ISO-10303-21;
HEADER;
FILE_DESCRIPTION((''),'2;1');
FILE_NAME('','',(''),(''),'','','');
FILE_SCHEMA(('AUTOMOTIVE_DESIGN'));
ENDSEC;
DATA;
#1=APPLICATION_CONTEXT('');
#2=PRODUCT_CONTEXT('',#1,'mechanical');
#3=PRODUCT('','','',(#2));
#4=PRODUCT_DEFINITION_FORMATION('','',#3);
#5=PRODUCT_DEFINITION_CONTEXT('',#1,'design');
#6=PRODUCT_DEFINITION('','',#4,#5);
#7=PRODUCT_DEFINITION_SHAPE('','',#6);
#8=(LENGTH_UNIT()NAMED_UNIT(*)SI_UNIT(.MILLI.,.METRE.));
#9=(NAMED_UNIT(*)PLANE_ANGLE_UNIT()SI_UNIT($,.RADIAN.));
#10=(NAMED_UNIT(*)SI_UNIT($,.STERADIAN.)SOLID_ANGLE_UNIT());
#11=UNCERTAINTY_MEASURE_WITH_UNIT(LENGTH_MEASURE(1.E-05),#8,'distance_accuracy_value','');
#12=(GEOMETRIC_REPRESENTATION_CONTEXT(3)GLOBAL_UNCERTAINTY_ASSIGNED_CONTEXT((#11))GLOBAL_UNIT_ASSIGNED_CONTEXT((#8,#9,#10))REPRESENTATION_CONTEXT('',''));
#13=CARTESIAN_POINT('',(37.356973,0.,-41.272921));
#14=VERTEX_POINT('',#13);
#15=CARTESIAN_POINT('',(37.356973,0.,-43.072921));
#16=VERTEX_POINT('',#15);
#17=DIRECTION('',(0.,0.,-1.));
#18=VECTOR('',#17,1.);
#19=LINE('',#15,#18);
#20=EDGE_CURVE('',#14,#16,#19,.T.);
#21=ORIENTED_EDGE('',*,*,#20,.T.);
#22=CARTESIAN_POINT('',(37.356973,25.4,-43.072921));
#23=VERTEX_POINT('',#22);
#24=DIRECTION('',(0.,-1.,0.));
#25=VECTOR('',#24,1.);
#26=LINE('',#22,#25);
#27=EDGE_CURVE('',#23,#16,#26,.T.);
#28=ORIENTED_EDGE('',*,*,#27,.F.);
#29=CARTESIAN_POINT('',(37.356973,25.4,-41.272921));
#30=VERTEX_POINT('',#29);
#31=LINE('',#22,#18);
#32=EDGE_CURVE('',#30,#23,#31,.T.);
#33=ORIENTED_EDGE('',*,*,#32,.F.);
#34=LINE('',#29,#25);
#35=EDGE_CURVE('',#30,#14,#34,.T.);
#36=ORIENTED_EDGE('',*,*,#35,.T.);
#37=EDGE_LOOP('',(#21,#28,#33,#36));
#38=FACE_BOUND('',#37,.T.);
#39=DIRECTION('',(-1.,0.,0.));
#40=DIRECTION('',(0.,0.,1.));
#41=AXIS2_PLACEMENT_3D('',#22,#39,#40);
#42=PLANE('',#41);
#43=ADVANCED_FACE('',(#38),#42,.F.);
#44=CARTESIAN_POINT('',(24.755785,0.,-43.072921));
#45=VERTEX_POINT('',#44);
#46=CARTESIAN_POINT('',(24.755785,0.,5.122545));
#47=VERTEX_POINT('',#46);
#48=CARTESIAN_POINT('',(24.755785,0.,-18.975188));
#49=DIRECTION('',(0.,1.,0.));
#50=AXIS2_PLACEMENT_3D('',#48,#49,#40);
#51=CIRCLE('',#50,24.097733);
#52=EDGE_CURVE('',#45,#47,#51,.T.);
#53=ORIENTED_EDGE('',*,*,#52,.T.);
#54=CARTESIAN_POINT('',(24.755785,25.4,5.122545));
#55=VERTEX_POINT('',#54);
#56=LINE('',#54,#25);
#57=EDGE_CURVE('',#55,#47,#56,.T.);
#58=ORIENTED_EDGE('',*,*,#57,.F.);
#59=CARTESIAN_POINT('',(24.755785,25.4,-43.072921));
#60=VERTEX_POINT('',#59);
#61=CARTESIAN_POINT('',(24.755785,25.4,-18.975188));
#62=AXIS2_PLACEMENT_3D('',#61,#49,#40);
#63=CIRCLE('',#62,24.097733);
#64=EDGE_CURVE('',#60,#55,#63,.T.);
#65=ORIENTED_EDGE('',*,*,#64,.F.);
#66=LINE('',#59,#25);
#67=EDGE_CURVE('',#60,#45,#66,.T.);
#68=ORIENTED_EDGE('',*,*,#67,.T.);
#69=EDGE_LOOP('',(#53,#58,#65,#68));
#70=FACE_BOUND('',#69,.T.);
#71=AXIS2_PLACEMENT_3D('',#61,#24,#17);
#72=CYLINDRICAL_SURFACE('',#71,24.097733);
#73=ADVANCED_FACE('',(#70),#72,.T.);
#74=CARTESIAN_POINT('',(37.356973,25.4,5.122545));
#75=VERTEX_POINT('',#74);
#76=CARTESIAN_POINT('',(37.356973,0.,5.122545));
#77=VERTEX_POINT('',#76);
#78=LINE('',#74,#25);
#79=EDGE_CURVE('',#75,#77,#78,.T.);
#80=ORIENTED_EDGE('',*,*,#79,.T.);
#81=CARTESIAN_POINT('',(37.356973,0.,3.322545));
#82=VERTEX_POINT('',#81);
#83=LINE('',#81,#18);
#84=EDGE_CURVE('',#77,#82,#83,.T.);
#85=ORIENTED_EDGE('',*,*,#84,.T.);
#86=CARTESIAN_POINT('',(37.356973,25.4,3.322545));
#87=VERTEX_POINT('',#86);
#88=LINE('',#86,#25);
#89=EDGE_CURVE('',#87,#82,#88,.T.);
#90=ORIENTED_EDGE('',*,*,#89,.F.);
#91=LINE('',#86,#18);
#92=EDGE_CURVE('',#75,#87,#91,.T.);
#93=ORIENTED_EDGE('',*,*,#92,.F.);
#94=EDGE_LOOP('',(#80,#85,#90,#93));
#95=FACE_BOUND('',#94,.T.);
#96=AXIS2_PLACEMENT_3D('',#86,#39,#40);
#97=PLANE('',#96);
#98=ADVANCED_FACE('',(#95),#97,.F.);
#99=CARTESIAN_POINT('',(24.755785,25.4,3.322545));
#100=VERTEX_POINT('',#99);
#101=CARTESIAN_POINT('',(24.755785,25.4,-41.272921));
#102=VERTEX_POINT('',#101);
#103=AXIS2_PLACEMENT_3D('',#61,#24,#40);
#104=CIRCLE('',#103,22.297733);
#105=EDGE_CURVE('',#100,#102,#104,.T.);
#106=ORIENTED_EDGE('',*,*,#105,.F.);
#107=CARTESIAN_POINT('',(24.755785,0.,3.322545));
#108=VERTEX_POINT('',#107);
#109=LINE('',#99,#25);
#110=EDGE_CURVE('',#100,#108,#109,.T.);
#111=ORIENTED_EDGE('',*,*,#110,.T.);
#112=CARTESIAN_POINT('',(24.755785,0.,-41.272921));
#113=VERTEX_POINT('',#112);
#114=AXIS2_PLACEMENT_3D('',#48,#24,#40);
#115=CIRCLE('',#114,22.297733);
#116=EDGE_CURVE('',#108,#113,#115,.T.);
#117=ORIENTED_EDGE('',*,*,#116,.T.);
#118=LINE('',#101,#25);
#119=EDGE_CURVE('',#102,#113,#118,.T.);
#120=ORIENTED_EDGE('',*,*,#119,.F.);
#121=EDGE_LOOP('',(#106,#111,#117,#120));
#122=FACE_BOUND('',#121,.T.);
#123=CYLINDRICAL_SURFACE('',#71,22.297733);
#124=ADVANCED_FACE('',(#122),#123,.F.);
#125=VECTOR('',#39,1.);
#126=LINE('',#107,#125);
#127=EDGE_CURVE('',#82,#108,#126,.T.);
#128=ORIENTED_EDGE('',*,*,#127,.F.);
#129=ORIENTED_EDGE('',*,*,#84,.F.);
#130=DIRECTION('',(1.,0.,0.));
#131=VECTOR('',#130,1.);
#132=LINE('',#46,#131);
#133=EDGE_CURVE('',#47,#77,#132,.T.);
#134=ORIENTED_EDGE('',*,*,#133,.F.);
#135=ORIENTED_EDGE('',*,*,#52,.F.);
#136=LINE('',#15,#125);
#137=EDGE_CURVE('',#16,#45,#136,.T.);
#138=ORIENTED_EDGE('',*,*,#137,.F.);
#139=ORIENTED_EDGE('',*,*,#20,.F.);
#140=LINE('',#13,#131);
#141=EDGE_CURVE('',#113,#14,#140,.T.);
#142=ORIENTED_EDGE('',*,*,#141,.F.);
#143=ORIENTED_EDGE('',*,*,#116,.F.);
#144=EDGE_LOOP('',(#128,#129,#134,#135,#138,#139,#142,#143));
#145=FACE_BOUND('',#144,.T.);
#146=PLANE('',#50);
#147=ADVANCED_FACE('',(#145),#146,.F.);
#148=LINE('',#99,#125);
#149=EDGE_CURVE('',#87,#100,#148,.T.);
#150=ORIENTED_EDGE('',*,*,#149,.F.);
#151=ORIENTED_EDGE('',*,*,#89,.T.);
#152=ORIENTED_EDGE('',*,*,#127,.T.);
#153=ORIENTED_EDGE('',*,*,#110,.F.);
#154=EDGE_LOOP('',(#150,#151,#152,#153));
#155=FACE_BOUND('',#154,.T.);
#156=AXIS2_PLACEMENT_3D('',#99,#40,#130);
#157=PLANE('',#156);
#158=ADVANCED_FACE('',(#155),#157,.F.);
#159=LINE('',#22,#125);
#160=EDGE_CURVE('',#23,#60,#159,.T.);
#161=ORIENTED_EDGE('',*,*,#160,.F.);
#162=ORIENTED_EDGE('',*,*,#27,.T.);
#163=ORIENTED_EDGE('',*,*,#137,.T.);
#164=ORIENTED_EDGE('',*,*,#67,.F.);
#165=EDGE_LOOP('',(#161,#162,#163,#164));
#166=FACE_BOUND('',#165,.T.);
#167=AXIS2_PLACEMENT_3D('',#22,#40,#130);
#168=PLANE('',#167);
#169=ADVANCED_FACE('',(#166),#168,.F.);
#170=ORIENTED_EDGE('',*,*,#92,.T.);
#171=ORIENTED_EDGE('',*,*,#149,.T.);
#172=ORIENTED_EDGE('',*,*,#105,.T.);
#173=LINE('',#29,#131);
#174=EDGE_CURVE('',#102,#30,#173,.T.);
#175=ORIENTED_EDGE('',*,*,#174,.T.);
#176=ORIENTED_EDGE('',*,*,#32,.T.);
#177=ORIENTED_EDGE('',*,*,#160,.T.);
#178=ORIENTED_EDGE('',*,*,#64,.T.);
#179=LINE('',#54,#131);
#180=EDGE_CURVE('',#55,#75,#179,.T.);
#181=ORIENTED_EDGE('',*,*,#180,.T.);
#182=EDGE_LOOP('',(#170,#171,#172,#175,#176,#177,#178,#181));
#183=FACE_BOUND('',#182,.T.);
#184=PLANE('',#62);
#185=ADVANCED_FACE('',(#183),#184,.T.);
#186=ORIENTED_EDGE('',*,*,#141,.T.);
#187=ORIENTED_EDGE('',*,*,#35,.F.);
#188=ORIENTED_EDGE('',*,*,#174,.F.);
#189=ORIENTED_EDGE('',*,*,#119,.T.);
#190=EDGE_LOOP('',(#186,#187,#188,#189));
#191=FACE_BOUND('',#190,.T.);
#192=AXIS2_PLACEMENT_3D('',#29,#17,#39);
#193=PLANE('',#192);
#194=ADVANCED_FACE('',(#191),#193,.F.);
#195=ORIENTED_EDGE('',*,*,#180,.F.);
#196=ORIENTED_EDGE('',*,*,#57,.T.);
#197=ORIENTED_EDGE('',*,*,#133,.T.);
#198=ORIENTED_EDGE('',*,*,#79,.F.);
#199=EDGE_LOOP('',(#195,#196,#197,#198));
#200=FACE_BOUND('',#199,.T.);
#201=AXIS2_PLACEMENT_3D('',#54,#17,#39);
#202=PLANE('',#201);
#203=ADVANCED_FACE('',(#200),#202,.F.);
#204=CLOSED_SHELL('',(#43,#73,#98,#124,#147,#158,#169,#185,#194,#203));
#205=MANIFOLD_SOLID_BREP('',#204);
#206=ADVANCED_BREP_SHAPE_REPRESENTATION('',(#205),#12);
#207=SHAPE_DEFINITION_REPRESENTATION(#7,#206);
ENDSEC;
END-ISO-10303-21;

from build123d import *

# Parameters (mm, degrees)
BOSS_EXTRUDE1_DEPTH = 25.4


with BuildPart() as part:
    # Sketch1 → Boss-Extrude1 (new body)
    with BuildSketch(Plane(origin=(0, 0, 0), x_dir=(1, 0, 0), z_dir=(0, 1, 0))):
        with BuildLine():
            Line((24.755784885, -3.322545253), (37.356972885, -3.322545253))
            Line((37.356972885, -3.322545253), (37.356972885, -5.122545253))
            Line((37.356972885, -5.122545253), (24.755784885, -5.122545253))
            ThreePointArc((24.755784885, -5.122545253), (0.65805188, 18.975187752), (24.755784885, 43.072920757))
            Line((24.755784885, 43.072920757), (37.356972885, 43.072920757))
            Line((37.356972885, 43.072920757), (37.356972885, 41.272920757))
            Line((37.356972885, 41.272920757), (24.755784885, 41.272920757))
            ThreePointArc((24.755784885, 41.272920757), (2.45805188, 18.975187752), (24.755784885, -3.322545253))
        make_face()
    extrude(amount=BOSS_EXTRUDE1_DEPTH)


solid = part.part
